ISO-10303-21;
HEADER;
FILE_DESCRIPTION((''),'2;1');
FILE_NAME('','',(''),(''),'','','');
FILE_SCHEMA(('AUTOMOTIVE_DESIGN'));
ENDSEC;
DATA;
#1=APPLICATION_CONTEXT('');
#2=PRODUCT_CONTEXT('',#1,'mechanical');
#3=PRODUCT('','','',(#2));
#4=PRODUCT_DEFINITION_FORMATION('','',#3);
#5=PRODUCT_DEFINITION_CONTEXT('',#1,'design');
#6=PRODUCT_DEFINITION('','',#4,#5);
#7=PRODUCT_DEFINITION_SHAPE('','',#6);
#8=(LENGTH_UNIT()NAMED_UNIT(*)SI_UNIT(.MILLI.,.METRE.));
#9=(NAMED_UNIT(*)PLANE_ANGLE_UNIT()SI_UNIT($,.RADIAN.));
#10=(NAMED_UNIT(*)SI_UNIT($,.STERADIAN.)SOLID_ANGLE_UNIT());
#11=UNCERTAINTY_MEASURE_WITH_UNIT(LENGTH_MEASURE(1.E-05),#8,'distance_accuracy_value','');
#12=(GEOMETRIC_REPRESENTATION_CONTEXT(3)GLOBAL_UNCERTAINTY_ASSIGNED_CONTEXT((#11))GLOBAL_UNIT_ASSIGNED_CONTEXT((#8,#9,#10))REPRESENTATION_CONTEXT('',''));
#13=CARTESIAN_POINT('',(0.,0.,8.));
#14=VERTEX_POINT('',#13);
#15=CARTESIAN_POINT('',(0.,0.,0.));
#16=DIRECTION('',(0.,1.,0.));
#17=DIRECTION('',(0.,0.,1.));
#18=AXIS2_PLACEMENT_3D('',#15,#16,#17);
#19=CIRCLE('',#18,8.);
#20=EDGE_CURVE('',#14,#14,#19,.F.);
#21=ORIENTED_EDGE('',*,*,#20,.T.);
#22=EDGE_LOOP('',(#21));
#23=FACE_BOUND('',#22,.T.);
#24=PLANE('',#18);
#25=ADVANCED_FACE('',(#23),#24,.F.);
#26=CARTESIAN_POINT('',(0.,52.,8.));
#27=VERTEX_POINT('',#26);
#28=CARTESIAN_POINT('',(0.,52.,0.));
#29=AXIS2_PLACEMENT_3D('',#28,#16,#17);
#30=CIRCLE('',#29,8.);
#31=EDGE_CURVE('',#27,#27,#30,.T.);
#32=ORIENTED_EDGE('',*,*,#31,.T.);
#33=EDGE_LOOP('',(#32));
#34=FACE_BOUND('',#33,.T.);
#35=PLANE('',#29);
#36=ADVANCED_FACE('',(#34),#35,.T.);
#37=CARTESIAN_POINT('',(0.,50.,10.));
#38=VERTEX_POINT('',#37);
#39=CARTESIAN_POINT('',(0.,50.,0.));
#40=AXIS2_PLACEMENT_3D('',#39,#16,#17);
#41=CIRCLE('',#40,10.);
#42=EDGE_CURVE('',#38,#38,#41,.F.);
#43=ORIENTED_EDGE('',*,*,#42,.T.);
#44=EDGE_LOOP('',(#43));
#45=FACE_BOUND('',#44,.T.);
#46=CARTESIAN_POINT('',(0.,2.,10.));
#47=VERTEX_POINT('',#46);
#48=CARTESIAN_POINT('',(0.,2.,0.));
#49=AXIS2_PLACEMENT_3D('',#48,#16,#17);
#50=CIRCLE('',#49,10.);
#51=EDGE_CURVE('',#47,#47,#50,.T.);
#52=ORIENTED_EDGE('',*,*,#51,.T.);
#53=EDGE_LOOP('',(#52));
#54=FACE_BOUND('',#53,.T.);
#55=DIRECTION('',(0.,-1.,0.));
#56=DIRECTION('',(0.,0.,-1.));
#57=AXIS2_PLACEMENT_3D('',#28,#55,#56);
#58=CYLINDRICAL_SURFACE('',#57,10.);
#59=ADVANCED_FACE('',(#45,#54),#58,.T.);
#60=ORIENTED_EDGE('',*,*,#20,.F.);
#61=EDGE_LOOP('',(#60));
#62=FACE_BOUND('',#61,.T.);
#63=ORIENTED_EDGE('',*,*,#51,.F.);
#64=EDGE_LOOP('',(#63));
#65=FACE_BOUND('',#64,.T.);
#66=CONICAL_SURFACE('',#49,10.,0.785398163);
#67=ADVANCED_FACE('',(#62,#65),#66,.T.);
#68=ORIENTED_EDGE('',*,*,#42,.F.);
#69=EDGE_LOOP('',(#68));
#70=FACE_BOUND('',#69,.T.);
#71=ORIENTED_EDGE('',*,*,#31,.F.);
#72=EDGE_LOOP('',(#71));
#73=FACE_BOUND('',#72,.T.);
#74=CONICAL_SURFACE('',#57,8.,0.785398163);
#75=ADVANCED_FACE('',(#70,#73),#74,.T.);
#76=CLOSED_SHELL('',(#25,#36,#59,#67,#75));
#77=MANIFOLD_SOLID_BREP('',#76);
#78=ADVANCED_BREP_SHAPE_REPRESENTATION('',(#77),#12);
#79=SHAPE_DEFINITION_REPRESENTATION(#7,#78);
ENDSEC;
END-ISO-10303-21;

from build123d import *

# Parameters (mm, degrees)
SKETCH1_R           = 10
BOSS_EXTRUDE1_DEPTH = 52
CHAMFER1_SIZE       = 2


with BuildPart() as part:
    # Sketch1 → Boss-Extrude1 (new body)
    with BuildSketch(Plane(origin=(0, 0, 0), x_dir=(1, 0, 0), z_dir=(0, 1, 0))):
        Circle(SKETCH1_R)
    extrude(amount=BOSS_EXTRUDE1_DEPTH)

    # Chamfer1
    chamfer1_edges = [part.edges().sort_by_distance(p)[0] for p in [
        (-10, 0, 0),
        (-10, 52, 0),
    ]]
    chamfer(chamfer1_edges, length=CHAMFER1_SIZE)


solid = part.part
